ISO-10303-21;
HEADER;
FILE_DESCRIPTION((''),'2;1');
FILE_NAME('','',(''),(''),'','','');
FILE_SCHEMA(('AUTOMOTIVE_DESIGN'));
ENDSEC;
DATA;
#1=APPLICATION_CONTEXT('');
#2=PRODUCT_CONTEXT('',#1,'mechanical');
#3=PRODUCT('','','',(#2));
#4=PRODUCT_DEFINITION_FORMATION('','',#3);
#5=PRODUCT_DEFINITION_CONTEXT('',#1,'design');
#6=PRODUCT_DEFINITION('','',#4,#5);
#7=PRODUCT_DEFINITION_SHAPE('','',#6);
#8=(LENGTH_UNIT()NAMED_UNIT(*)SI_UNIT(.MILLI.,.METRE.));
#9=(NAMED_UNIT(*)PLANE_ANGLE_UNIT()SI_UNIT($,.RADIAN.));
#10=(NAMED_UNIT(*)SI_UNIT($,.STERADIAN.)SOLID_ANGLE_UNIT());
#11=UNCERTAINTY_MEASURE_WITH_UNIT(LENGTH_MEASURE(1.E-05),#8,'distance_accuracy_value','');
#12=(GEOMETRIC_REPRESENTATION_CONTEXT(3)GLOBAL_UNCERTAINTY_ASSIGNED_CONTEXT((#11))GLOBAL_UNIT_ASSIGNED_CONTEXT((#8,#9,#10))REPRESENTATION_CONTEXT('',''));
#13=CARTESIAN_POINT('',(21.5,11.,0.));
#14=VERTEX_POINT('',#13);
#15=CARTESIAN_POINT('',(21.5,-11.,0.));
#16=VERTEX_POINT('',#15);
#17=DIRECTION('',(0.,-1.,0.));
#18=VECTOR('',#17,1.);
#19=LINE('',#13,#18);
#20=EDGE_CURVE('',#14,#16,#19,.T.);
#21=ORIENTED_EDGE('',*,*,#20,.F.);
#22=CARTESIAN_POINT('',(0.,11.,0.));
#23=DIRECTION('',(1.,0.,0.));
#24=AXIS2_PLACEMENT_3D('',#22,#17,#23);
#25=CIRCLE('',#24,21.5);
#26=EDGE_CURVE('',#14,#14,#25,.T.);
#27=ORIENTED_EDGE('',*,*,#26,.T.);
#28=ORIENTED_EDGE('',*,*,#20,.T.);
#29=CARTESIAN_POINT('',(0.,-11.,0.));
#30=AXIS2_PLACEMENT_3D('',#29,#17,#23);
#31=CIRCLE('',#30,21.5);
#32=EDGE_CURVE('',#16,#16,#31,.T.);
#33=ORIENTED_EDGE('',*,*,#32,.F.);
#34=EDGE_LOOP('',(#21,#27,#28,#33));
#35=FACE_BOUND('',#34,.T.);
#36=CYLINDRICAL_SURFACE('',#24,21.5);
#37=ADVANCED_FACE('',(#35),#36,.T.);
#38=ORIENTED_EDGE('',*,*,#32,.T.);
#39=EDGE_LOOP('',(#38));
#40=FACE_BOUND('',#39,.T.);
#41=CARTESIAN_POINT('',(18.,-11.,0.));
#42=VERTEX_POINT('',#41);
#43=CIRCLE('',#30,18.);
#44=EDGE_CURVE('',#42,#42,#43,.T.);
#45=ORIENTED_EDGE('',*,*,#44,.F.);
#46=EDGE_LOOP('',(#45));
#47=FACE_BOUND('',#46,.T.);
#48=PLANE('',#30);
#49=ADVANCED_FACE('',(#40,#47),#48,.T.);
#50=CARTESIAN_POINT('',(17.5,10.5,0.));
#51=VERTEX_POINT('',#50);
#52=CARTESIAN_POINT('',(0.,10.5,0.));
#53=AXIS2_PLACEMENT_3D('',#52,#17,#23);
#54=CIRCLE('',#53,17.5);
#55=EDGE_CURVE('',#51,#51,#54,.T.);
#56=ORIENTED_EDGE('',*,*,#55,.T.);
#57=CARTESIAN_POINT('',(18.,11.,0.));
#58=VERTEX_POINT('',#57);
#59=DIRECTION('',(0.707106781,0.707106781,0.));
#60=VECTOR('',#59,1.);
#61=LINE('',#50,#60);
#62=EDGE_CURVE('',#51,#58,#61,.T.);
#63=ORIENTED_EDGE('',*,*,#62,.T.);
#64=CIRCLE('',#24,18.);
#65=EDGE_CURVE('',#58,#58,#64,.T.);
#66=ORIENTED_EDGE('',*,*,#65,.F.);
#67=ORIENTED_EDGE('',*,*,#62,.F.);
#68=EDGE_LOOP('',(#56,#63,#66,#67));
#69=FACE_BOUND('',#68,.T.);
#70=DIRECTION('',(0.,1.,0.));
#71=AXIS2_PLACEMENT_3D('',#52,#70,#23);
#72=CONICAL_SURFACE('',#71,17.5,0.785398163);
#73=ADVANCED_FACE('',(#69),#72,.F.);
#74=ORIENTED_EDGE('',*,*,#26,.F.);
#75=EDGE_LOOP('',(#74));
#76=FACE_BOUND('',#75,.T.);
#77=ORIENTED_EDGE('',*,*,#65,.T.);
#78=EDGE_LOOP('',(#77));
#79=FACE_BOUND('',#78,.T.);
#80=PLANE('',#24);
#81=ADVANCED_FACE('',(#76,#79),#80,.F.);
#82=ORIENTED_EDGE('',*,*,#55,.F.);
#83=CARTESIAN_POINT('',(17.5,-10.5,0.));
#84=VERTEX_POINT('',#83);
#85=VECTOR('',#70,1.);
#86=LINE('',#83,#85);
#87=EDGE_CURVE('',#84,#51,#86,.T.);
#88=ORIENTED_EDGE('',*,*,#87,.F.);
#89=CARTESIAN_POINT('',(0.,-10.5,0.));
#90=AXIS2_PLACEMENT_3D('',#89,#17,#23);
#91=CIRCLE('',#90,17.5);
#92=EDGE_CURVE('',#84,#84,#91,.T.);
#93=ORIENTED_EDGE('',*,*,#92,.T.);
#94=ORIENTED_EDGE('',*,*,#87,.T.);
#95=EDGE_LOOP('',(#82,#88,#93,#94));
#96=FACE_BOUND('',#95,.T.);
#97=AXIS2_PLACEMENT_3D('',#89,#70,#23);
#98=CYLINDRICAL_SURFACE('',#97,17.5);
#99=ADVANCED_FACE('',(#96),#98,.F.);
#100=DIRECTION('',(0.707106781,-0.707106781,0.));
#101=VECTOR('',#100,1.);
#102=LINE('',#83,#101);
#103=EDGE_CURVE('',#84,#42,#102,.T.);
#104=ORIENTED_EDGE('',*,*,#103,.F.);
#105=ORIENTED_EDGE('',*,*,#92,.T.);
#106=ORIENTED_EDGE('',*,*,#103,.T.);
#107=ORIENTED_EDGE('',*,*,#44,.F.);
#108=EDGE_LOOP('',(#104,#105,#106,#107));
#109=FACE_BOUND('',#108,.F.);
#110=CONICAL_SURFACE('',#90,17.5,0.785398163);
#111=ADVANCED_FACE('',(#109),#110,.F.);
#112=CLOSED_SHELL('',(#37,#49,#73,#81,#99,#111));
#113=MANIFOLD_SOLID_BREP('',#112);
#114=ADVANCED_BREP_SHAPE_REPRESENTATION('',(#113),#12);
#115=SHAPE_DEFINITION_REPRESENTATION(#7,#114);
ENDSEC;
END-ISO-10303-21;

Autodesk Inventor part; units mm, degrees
ref_plane "YZ Plane" through (0, 0, 0) normal (1, 0, 0) x (0, 1, 0)
ref_plane "XZ Plane" through (0, 0, 0) normal (0, 1, 0) x (-1, 0, 0)
ref_plane "XY Plane" through (0, 0, 0) normal (0, 0, 1) x (1, 0, 0)
sketch "Эскиз1" plane through (0, 0, 0) normal (0, 0, 1) x (1, 0, 0)
  line L0 (0, 11) -> (0, -11)
  line L1 (18, 11) -> (21.5, 11)
  line L2 (21.5, 11) -> (21.5, -11)
  line L3 (21.5, -11) -> (18, -11)
  line L4 (17.5, -10.5) -> (17.5, 10.5)
  line L5 (17.5, 10.5) -> (18, 11)
  line L6 (17.5, -10.5) -> (18, -11)
  point P0 (0, 0)
  point P1 (0, 0)
  point P2 (17.5, 11)
  point P3 (17.5, -11)
  dimension "d0" = 22
  dimension "d1" = 43
  dimension "d2" = 35
  dimension "d3" = 0.5
  dimension "d4" = 45
  dimension "d5" = 0.5
  dimension "d6" = 45
revolve "Вращение1" add sketch "Эскиз1" angle 360 about axis through (0, 11, 0) along (0, -1, 0)
equation "\"d5\" = d3"
equation "\"d6\" = d4"
properties part number "74. Кольцо распорное"
